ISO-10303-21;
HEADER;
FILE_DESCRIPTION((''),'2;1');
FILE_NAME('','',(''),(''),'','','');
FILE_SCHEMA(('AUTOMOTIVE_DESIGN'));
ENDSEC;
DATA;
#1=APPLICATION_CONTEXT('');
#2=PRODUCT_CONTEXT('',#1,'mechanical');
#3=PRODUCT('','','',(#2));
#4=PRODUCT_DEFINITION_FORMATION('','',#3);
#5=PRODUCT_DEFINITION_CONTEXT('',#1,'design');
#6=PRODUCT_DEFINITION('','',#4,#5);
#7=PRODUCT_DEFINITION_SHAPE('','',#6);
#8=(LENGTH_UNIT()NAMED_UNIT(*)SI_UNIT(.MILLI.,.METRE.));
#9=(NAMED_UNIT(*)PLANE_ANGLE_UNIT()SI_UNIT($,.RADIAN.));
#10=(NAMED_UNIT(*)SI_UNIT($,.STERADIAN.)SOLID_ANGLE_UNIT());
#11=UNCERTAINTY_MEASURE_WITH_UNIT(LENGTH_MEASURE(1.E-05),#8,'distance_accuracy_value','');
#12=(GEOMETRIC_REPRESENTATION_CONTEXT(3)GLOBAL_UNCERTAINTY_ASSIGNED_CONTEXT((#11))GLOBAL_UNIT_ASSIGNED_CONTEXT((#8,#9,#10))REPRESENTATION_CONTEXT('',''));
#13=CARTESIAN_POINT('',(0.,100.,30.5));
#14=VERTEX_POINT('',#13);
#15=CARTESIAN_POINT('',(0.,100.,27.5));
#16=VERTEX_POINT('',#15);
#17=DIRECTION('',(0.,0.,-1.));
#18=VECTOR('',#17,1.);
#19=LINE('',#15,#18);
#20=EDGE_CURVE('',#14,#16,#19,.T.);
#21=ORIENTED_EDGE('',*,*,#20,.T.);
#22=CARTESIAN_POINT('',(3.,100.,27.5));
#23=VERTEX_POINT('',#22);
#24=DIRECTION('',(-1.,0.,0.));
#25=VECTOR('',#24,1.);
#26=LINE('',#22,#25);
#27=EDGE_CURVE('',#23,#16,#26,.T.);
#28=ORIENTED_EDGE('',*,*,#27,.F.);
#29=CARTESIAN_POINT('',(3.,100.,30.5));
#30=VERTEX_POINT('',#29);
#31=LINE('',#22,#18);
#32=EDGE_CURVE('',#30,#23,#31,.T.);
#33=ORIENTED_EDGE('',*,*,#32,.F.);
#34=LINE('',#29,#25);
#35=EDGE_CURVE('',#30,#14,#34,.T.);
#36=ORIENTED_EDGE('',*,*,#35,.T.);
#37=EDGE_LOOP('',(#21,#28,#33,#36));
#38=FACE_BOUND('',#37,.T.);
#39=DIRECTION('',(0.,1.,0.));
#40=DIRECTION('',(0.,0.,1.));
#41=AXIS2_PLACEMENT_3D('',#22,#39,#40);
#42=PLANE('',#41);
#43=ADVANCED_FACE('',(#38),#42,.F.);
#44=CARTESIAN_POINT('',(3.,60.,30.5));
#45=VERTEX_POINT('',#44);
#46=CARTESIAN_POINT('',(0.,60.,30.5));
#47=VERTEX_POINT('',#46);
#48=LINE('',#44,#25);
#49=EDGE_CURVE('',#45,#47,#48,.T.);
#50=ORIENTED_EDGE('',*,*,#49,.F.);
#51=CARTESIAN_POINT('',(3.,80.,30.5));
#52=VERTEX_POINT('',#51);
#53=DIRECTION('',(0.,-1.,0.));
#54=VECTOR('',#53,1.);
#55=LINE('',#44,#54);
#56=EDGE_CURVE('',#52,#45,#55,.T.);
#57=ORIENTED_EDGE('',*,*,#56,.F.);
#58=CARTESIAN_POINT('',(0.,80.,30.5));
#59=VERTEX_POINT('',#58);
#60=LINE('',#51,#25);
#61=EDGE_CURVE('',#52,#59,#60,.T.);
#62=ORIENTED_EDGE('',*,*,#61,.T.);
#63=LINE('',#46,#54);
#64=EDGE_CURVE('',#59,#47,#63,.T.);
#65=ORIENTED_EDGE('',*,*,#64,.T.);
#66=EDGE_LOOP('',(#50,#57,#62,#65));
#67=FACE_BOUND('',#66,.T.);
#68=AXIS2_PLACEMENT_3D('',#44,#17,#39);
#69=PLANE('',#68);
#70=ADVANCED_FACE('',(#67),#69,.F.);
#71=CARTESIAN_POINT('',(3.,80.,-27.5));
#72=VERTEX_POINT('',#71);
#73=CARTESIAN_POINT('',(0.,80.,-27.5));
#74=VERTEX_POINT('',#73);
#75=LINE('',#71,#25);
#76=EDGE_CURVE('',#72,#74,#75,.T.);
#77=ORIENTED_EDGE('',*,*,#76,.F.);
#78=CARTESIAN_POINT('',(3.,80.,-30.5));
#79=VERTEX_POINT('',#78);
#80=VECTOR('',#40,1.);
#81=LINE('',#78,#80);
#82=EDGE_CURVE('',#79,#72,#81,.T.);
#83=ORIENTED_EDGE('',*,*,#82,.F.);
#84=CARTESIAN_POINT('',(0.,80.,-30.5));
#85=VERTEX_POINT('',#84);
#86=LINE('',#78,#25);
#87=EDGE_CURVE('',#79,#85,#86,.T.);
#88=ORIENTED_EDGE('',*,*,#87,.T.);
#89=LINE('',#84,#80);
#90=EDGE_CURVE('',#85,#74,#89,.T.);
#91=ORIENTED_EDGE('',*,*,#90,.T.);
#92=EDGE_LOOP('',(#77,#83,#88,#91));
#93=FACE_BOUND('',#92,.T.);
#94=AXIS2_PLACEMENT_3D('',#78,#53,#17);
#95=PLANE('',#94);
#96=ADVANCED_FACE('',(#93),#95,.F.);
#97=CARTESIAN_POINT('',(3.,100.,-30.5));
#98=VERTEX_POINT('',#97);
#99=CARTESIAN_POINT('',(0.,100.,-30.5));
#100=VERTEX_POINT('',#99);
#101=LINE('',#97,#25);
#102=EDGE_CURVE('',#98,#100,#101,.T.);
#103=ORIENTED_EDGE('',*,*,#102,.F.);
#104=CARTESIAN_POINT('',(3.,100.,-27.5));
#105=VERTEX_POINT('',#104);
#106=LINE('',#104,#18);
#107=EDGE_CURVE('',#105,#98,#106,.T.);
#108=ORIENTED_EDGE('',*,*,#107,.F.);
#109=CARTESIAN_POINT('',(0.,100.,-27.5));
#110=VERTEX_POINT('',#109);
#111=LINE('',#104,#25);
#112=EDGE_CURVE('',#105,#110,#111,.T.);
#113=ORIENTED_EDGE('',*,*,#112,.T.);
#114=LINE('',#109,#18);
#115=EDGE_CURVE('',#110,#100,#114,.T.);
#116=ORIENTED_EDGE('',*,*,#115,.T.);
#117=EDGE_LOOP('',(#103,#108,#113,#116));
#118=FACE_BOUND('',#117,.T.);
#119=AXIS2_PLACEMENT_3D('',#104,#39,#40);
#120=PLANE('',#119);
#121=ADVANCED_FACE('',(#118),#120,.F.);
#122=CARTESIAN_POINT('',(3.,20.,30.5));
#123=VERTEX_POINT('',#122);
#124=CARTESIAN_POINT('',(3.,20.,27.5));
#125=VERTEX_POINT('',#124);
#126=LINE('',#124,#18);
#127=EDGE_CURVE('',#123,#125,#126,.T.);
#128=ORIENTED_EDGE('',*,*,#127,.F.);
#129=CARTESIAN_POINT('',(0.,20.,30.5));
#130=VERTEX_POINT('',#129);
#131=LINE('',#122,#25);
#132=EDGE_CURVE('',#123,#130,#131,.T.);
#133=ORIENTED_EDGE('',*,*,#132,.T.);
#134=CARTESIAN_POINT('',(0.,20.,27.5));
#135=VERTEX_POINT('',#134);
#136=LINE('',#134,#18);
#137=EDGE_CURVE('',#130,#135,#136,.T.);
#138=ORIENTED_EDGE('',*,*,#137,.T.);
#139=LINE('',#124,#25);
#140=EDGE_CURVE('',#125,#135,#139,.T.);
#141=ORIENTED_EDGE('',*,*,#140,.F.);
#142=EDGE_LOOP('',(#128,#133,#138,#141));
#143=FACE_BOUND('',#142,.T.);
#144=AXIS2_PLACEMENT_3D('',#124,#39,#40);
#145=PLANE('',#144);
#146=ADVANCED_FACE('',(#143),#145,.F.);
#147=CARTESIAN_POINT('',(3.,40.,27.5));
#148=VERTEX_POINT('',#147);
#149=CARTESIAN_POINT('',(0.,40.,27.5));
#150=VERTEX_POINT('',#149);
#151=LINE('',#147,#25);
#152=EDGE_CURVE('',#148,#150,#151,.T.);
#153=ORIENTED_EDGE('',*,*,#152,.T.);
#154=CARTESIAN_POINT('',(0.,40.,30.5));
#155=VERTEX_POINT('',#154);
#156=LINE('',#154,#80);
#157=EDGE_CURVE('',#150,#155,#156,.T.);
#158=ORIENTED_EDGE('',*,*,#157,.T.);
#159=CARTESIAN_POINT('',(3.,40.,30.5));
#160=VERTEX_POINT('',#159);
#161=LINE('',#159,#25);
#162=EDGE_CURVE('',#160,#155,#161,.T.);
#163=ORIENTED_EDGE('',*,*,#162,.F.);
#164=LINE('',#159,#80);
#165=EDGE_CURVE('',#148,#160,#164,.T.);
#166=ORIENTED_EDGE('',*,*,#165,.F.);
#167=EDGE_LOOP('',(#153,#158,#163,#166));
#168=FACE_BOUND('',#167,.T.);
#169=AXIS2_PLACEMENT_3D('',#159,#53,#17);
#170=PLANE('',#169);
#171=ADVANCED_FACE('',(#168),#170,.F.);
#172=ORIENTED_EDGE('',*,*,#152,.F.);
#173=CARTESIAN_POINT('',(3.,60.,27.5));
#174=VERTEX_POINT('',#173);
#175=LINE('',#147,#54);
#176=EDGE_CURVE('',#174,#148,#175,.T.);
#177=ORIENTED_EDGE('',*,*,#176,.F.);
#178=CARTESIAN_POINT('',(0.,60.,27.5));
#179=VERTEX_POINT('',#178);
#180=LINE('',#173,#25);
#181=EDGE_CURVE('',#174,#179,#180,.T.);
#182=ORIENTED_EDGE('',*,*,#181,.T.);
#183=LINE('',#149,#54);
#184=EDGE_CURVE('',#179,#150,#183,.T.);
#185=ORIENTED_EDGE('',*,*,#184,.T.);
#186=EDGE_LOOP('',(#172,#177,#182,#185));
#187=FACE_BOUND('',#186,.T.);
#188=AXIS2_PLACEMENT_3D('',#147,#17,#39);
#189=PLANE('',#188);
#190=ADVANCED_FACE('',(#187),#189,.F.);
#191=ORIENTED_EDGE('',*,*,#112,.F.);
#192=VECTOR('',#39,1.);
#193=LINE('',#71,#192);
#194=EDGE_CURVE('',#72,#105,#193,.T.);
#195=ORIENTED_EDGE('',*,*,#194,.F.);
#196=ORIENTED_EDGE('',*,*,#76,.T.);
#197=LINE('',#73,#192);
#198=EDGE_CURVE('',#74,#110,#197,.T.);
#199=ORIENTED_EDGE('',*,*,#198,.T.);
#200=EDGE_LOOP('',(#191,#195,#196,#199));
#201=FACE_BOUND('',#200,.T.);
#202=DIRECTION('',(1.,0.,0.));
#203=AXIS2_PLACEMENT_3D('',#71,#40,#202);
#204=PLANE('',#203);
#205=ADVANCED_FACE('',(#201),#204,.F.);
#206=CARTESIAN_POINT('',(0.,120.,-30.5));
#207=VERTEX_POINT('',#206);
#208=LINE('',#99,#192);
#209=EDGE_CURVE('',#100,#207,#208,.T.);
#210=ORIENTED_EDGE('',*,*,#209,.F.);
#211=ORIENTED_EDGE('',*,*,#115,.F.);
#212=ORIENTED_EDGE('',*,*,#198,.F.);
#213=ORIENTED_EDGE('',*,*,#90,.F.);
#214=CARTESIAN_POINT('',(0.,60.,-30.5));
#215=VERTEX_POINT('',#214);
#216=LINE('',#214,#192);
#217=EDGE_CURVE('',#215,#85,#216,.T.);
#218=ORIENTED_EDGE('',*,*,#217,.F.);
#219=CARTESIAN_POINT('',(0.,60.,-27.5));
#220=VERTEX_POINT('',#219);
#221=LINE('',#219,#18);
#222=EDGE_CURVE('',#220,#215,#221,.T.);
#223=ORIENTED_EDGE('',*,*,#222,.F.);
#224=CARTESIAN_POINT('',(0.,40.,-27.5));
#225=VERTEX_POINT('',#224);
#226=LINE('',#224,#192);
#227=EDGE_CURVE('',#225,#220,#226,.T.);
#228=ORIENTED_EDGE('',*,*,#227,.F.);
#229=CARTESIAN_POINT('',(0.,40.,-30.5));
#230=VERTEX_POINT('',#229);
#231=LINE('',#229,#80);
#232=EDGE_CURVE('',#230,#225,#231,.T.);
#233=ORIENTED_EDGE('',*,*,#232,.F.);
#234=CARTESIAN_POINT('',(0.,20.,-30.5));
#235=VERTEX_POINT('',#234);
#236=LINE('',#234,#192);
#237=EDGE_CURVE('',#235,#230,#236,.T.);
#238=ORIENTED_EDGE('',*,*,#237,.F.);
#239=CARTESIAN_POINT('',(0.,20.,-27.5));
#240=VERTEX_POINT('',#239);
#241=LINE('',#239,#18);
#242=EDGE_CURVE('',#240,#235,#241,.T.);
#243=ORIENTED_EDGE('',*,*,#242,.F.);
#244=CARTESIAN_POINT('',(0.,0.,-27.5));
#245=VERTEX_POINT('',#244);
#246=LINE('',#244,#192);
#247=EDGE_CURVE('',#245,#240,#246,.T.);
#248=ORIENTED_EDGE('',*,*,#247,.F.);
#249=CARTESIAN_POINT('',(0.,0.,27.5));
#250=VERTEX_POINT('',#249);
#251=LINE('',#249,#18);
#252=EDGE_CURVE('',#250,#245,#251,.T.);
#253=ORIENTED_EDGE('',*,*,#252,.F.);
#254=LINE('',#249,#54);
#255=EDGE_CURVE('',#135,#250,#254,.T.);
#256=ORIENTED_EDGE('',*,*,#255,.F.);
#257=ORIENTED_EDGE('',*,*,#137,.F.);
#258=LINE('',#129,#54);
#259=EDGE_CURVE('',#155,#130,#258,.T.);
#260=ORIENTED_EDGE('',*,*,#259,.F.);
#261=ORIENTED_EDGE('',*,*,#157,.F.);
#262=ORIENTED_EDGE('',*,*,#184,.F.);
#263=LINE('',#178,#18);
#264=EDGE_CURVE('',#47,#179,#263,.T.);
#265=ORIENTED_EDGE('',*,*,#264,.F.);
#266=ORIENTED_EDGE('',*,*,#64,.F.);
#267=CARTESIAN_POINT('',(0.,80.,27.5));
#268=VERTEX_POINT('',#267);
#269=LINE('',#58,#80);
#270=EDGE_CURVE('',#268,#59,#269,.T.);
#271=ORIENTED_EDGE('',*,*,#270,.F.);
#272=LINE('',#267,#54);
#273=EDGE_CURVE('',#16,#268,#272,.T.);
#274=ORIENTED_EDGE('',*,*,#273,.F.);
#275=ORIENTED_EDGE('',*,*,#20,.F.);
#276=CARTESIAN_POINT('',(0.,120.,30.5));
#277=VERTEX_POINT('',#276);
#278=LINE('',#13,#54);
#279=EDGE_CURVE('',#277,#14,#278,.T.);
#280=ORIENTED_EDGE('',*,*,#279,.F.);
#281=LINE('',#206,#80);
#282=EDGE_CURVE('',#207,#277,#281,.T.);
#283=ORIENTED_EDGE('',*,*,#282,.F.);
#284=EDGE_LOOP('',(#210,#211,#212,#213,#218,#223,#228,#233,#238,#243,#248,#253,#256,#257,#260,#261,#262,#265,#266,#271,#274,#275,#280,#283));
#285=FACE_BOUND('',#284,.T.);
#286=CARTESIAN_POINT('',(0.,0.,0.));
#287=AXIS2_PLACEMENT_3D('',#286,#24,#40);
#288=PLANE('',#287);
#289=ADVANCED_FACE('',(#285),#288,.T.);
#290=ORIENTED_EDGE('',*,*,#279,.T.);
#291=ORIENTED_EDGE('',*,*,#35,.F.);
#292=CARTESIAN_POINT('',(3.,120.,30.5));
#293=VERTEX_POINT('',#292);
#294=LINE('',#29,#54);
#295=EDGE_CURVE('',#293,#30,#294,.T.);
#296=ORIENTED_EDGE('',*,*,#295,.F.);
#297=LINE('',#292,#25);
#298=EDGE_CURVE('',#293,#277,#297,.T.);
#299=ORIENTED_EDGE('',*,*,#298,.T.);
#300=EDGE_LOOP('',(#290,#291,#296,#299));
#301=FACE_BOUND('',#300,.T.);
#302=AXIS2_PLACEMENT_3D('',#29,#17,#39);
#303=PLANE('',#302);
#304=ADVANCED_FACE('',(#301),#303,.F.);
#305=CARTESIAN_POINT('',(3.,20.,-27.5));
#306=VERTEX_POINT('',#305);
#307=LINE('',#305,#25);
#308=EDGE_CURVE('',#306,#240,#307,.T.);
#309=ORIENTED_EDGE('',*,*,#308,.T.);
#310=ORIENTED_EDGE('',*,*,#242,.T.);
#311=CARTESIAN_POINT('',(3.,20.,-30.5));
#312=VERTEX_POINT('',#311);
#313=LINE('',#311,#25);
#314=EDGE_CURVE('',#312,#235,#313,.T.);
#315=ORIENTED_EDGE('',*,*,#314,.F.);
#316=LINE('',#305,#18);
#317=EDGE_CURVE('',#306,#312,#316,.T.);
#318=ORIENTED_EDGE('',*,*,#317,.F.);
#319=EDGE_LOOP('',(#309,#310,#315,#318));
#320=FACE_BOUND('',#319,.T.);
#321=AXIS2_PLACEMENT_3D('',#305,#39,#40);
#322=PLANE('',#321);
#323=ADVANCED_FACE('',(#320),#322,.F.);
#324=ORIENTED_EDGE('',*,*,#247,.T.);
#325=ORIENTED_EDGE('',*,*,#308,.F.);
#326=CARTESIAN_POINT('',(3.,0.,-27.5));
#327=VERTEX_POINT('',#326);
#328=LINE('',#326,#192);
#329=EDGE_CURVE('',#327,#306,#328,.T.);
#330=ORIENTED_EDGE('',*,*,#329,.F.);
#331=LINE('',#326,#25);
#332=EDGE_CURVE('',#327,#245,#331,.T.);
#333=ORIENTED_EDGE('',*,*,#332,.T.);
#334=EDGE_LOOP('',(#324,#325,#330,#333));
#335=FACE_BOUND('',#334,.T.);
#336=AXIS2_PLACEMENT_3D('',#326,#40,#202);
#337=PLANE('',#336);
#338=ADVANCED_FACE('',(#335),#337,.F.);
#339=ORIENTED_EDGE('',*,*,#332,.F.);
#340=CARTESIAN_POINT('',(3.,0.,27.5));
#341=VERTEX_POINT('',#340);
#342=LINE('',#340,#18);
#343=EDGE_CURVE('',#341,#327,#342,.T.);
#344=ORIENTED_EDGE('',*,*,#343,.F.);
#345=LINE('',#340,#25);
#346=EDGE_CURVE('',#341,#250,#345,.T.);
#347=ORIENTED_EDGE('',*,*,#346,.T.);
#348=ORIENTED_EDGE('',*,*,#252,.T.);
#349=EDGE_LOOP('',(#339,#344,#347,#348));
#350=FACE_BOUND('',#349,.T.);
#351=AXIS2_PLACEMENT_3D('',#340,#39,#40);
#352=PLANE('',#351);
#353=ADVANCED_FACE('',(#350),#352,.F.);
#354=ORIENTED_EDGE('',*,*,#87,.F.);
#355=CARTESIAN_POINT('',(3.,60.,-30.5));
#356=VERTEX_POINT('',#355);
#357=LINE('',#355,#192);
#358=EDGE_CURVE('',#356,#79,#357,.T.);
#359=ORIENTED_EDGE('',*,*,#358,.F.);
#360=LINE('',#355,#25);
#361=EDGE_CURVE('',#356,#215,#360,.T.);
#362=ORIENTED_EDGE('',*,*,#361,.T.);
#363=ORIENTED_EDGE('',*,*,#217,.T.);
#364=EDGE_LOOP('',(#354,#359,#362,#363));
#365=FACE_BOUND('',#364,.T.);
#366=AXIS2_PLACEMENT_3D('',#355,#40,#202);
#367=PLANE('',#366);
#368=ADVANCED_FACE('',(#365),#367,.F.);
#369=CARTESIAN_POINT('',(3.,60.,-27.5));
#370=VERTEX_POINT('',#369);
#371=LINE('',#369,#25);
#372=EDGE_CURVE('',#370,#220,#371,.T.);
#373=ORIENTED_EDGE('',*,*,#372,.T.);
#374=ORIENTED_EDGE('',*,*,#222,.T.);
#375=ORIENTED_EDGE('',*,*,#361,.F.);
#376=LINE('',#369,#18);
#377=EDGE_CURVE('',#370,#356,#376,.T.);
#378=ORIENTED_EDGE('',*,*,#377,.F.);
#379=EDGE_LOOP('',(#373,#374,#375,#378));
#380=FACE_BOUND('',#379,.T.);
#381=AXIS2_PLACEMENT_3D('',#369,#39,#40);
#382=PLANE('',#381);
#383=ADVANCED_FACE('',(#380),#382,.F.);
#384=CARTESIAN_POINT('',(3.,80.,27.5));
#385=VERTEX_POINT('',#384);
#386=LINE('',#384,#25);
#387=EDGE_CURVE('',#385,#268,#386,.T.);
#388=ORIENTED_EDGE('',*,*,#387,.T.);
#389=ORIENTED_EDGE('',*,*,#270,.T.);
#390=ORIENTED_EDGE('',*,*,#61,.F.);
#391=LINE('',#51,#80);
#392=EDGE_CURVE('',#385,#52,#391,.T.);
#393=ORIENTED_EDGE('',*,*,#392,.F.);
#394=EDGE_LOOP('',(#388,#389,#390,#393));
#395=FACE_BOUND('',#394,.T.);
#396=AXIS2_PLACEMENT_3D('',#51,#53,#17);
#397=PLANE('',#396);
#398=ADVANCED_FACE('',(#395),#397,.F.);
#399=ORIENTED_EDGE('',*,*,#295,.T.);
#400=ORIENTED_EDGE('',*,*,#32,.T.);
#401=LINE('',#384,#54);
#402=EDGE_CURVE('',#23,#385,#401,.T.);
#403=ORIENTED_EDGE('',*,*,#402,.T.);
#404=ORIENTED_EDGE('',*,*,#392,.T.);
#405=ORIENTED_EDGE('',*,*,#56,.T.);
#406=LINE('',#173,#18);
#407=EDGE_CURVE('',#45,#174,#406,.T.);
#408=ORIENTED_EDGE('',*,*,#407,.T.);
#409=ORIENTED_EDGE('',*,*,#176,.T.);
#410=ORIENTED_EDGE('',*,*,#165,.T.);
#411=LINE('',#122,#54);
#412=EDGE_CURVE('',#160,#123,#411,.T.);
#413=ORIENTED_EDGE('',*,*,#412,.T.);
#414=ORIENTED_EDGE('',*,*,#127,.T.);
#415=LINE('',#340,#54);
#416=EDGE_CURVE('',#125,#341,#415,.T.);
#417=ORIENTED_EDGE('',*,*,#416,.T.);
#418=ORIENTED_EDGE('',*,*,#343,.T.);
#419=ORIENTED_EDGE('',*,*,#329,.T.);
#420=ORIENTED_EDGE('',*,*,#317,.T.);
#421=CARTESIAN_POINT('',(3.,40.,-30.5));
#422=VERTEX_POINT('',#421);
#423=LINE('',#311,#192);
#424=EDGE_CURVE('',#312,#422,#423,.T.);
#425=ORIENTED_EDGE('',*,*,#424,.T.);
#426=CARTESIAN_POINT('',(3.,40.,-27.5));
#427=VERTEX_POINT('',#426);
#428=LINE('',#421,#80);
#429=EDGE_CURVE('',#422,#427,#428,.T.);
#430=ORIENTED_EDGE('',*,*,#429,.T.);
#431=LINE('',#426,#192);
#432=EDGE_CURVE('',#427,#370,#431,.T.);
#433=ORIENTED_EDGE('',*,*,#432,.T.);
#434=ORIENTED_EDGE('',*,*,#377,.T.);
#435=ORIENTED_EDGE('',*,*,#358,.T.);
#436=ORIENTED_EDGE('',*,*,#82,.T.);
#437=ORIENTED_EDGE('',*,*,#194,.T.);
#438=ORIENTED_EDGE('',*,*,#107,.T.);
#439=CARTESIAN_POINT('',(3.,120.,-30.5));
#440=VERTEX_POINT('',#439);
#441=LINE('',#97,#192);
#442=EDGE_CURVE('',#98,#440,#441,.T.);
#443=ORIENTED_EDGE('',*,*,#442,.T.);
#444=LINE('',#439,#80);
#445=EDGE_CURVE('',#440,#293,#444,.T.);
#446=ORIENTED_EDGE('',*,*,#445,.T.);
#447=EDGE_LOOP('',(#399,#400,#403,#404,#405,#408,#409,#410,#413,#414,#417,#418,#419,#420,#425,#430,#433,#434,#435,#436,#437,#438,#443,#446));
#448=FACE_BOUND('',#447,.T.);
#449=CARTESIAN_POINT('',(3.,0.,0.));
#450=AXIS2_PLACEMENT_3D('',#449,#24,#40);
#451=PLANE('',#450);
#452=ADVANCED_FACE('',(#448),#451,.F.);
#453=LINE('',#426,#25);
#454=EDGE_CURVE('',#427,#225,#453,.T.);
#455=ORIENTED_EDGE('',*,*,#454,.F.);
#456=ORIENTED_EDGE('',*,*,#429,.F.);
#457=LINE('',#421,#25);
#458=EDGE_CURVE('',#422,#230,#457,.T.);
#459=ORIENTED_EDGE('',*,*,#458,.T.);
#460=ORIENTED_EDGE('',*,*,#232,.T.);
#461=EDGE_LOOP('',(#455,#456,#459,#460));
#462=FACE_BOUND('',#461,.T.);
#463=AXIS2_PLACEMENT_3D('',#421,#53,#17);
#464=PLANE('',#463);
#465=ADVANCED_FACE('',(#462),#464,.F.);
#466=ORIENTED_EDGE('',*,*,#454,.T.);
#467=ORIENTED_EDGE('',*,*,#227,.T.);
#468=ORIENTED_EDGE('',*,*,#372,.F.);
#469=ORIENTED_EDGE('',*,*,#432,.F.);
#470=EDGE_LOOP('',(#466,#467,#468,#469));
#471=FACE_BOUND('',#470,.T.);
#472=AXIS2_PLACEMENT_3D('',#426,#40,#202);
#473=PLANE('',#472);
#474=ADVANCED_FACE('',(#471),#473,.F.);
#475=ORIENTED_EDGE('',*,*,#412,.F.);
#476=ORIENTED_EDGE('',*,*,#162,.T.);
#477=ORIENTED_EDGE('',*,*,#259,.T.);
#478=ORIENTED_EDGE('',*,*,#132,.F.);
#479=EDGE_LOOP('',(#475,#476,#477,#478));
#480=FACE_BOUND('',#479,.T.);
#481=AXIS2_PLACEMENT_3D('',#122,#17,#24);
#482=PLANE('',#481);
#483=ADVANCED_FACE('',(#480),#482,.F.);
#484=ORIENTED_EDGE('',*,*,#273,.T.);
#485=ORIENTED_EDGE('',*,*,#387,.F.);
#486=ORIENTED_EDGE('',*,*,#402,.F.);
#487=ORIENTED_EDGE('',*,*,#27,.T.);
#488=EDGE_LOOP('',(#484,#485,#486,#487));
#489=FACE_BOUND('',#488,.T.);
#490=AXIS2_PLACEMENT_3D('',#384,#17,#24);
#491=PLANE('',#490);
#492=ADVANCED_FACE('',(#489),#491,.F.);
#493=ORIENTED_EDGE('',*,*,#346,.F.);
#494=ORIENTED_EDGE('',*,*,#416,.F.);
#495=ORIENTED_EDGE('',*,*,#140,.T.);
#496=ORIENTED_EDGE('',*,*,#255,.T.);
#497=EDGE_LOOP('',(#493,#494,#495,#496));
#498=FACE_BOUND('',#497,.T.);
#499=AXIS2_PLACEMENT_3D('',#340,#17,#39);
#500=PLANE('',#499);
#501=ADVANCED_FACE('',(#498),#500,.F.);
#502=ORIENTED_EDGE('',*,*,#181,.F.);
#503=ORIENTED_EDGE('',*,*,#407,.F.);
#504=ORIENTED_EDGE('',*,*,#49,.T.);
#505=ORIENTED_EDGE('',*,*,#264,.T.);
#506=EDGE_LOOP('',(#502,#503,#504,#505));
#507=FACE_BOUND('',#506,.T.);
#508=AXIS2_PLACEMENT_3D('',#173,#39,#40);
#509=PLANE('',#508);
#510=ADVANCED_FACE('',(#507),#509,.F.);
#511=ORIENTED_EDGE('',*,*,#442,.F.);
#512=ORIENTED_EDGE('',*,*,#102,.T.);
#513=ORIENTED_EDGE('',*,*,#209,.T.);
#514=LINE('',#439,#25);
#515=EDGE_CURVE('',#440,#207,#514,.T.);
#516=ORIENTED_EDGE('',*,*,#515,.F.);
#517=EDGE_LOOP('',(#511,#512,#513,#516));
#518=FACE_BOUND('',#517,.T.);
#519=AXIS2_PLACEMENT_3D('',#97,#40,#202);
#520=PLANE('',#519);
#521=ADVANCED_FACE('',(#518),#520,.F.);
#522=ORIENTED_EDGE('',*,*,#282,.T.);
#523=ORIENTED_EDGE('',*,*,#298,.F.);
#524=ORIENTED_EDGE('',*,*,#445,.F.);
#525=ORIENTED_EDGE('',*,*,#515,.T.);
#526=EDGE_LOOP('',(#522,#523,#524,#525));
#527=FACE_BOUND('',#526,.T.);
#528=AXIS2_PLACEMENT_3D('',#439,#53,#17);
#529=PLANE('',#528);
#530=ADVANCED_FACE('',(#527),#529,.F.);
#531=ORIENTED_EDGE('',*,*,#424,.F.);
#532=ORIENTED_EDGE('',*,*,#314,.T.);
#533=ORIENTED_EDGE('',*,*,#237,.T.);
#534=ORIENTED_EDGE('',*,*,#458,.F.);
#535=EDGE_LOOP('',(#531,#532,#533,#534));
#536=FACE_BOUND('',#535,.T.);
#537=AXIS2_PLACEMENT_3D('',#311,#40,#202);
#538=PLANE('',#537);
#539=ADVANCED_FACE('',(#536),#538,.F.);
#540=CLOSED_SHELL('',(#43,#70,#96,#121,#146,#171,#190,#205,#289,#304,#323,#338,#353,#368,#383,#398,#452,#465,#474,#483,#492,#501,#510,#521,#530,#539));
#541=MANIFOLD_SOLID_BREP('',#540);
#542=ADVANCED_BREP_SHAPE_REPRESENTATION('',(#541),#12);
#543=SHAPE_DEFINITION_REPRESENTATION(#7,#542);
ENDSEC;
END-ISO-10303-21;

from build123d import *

# Parameters (mm, degrees)
BOSS_EXTRUDE1_DEPTH = 3


with BuildPart() as part:
    # Sketch1 → Boss-Extrude1 (new body)
    with BuildSketch(Plane(origin=(0, 0, 0), x_dir=(0, 0, -1), z_dir=(1, 0, 0))):
        Polygon((-27.5, 0), (27.5, 0), (27.5, 20), (30.5, 20), (30.5, 40), (27.5, 40), (27.5, 60), (30.5, 60), (30.5, 80), (27.5, 80), (27.5, 100), (30.5, 100), (30.5, 120), (-30.5, 120), (-30.5, 100), (-27.5, 100), (-27.5, 80), (-30.5, 80), (-30.5, 60), (-27.5, 60), (-27.5, 40), (-30.5, 40), (-30.5, 20), (-27.5, 20), align=None)
    extrude(amount=BOSS_EXTRUDE1_DEPTH)


solid = part.part
